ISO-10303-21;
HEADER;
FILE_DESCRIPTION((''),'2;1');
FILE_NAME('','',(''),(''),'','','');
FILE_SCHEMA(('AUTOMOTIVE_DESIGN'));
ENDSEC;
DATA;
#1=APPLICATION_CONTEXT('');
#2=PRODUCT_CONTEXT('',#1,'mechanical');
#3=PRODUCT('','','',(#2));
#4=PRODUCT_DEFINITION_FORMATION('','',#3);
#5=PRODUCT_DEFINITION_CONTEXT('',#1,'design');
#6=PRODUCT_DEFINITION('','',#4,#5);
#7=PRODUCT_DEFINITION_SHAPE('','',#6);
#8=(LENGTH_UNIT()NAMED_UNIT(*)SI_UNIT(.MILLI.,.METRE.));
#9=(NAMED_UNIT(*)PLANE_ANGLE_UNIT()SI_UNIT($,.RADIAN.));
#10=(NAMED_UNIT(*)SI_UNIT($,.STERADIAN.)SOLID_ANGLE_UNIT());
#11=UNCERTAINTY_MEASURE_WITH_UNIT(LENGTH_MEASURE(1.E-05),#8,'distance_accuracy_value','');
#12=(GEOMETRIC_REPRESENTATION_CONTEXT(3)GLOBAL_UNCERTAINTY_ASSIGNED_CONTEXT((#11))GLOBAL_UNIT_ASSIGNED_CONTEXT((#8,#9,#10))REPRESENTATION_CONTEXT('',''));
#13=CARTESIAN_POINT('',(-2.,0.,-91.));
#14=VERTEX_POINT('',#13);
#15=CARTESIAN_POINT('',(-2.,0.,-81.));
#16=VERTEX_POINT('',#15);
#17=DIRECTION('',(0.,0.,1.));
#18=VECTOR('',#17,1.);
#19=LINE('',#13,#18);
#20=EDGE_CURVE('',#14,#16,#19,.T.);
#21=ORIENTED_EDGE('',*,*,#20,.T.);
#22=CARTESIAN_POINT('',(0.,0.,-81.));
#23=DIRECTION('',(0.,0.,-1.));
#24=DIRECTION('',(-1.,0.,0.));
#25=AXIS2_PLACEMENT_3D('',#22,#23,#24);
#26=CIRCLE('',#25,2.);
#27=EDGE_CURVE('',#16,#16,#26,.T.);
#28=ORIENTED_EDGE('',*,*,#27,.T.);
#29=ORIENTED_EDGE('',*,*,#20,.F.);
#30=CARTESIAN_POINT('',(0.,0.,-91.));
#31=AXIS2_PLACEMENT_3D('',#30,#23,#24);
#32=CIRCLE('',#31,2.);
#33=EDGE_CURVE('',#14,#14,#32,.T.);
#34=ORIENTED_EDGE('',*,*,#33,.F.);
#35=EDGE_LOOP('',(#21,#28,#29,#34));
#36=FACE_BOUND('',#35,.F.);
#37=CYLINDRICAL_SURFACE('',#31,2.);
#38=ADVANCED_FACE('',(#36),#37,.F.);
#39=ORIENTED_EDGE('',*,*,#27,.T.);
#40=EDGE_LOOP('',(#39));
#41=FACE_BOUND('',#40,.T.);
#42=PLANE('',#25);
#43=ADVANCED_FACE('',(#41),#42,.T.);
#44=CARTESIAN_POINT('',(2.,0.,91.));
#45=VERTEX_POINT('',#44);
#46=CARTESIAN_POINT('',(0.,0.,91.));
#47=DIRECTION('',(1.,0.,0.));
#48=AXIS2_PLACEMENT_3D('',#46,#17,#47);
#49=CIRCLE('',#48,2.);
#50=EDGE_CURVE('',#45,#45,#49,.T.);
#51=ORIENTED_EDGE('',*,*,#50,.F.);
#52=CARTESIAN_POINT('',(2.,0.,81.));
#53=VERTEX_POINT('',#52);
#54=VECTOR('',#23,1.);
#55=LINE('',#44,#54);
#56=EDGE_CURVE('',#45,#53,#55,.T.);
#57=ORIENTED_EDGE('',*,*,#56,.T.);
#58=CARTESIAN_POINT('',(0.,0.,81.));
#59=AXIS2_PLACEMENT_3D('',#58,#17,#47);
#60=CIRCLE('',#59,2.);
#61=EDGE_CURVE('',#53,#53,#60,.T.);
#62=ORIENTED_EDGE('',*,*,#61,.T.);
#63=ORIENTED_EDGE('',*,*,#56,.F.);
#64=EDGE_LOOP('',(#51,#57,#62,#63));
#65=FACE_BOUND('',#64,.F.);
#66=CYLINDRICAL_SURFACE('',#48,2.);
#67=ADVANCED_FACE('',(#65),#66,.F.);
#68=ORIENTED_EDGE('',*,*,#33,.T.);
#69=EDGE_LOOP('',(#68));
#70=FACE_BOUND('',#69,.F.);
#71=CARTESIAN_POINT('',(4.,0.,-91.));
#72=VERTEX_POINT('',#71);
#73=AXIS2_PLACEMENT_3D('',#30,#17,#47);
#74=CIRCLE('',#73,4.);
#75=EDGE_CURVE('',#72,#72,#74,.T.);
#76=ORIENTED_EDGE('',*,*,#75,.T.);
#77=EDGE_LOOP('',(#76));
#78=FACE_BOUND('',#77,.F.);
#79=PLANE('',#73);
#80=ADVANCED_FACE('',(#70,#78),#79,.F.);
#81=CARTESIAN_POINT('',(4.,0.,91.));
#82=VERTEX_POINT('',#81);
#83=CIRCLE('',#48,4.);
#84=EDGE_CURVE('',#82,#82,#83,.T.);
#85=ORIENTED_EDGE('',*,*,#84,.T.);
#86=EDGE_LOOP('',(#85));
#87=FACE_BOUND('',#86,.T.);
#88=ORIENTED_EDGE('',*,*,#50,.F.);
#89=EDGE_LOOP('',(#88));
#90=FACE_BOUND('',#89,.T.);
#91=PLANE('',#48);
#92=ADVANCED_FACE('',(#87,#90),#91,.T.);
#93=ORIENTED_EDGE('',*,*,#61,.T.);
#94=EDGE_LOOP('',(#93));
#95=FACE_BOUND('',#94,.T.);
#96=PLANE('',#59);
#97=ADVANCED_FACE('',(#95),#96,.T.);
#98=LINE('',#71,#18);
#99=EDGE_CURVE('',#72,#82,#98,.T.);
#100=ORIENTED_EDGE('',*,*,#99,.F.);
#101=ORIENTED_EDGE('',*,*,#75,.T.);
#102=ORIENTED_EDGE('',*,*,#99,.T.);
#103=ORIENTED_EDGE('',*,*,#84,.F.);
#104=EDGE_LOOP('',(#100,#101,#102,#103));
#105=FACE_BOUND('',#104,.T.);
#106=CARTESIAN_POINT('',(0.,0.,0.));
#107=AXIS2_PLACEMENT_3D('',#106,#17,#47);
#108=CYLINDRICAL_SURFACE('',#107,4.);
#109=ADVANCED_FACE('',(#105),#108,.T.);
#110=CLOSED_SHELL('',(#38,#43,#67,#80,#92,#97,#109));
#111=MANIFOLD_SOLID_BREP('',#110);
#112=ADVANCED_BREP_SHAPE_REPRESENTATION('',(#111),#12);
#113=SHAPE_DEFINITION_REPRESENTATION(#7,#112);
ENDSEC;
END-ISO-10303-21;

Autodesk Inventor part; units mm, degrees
ref_plane "YZ Plane" through (0, 0, 0) normal (1, 0, 0) x (0, 1, 0)
ref_plane "XZ Plane" through (0, 0, 0) normal (0, 1, 0) x (-1, 0, 0)
ref_plane "XY Plane" through (0, 0, 0) normal (0, 0, 1) x (1, 0, 0)
sketch "スケッチ1" plane through (0, 0, 0) normal (0, 0, 1) x (1, 0, 0)
  circle A0 centre (0, 0) radius 2
  circle A1 centre (0, 0) radius 4
  dimension "d0" = 4
  dimension "d1" = 8
extrude "押し出し1" add sketch "スケッチ1" along normal mid plane 182 contours A0 | A1
sketch "スケッチ3" plane through (0, 0, 91) normal (0, 0, 1) x (1, 0, 0)
  circle A0 centre (0, 0) radius 2
  dimension "d5" = 4
extrude "押し出し2" cut sketch "スケッチ3" against normal blind 10
sketch "スケッチ4" plane through (0, 0, -91) normal (0, 0, -1) x (-1, 0, 0)
  circle A0 centre (0, 0) radius 2
  dimension "d8" = 4
extrude "押し出し3" cut sketch "スケッチ4" against normal blind 10
properties part number "シャフト182mm" material "アルミニウム 7075"
